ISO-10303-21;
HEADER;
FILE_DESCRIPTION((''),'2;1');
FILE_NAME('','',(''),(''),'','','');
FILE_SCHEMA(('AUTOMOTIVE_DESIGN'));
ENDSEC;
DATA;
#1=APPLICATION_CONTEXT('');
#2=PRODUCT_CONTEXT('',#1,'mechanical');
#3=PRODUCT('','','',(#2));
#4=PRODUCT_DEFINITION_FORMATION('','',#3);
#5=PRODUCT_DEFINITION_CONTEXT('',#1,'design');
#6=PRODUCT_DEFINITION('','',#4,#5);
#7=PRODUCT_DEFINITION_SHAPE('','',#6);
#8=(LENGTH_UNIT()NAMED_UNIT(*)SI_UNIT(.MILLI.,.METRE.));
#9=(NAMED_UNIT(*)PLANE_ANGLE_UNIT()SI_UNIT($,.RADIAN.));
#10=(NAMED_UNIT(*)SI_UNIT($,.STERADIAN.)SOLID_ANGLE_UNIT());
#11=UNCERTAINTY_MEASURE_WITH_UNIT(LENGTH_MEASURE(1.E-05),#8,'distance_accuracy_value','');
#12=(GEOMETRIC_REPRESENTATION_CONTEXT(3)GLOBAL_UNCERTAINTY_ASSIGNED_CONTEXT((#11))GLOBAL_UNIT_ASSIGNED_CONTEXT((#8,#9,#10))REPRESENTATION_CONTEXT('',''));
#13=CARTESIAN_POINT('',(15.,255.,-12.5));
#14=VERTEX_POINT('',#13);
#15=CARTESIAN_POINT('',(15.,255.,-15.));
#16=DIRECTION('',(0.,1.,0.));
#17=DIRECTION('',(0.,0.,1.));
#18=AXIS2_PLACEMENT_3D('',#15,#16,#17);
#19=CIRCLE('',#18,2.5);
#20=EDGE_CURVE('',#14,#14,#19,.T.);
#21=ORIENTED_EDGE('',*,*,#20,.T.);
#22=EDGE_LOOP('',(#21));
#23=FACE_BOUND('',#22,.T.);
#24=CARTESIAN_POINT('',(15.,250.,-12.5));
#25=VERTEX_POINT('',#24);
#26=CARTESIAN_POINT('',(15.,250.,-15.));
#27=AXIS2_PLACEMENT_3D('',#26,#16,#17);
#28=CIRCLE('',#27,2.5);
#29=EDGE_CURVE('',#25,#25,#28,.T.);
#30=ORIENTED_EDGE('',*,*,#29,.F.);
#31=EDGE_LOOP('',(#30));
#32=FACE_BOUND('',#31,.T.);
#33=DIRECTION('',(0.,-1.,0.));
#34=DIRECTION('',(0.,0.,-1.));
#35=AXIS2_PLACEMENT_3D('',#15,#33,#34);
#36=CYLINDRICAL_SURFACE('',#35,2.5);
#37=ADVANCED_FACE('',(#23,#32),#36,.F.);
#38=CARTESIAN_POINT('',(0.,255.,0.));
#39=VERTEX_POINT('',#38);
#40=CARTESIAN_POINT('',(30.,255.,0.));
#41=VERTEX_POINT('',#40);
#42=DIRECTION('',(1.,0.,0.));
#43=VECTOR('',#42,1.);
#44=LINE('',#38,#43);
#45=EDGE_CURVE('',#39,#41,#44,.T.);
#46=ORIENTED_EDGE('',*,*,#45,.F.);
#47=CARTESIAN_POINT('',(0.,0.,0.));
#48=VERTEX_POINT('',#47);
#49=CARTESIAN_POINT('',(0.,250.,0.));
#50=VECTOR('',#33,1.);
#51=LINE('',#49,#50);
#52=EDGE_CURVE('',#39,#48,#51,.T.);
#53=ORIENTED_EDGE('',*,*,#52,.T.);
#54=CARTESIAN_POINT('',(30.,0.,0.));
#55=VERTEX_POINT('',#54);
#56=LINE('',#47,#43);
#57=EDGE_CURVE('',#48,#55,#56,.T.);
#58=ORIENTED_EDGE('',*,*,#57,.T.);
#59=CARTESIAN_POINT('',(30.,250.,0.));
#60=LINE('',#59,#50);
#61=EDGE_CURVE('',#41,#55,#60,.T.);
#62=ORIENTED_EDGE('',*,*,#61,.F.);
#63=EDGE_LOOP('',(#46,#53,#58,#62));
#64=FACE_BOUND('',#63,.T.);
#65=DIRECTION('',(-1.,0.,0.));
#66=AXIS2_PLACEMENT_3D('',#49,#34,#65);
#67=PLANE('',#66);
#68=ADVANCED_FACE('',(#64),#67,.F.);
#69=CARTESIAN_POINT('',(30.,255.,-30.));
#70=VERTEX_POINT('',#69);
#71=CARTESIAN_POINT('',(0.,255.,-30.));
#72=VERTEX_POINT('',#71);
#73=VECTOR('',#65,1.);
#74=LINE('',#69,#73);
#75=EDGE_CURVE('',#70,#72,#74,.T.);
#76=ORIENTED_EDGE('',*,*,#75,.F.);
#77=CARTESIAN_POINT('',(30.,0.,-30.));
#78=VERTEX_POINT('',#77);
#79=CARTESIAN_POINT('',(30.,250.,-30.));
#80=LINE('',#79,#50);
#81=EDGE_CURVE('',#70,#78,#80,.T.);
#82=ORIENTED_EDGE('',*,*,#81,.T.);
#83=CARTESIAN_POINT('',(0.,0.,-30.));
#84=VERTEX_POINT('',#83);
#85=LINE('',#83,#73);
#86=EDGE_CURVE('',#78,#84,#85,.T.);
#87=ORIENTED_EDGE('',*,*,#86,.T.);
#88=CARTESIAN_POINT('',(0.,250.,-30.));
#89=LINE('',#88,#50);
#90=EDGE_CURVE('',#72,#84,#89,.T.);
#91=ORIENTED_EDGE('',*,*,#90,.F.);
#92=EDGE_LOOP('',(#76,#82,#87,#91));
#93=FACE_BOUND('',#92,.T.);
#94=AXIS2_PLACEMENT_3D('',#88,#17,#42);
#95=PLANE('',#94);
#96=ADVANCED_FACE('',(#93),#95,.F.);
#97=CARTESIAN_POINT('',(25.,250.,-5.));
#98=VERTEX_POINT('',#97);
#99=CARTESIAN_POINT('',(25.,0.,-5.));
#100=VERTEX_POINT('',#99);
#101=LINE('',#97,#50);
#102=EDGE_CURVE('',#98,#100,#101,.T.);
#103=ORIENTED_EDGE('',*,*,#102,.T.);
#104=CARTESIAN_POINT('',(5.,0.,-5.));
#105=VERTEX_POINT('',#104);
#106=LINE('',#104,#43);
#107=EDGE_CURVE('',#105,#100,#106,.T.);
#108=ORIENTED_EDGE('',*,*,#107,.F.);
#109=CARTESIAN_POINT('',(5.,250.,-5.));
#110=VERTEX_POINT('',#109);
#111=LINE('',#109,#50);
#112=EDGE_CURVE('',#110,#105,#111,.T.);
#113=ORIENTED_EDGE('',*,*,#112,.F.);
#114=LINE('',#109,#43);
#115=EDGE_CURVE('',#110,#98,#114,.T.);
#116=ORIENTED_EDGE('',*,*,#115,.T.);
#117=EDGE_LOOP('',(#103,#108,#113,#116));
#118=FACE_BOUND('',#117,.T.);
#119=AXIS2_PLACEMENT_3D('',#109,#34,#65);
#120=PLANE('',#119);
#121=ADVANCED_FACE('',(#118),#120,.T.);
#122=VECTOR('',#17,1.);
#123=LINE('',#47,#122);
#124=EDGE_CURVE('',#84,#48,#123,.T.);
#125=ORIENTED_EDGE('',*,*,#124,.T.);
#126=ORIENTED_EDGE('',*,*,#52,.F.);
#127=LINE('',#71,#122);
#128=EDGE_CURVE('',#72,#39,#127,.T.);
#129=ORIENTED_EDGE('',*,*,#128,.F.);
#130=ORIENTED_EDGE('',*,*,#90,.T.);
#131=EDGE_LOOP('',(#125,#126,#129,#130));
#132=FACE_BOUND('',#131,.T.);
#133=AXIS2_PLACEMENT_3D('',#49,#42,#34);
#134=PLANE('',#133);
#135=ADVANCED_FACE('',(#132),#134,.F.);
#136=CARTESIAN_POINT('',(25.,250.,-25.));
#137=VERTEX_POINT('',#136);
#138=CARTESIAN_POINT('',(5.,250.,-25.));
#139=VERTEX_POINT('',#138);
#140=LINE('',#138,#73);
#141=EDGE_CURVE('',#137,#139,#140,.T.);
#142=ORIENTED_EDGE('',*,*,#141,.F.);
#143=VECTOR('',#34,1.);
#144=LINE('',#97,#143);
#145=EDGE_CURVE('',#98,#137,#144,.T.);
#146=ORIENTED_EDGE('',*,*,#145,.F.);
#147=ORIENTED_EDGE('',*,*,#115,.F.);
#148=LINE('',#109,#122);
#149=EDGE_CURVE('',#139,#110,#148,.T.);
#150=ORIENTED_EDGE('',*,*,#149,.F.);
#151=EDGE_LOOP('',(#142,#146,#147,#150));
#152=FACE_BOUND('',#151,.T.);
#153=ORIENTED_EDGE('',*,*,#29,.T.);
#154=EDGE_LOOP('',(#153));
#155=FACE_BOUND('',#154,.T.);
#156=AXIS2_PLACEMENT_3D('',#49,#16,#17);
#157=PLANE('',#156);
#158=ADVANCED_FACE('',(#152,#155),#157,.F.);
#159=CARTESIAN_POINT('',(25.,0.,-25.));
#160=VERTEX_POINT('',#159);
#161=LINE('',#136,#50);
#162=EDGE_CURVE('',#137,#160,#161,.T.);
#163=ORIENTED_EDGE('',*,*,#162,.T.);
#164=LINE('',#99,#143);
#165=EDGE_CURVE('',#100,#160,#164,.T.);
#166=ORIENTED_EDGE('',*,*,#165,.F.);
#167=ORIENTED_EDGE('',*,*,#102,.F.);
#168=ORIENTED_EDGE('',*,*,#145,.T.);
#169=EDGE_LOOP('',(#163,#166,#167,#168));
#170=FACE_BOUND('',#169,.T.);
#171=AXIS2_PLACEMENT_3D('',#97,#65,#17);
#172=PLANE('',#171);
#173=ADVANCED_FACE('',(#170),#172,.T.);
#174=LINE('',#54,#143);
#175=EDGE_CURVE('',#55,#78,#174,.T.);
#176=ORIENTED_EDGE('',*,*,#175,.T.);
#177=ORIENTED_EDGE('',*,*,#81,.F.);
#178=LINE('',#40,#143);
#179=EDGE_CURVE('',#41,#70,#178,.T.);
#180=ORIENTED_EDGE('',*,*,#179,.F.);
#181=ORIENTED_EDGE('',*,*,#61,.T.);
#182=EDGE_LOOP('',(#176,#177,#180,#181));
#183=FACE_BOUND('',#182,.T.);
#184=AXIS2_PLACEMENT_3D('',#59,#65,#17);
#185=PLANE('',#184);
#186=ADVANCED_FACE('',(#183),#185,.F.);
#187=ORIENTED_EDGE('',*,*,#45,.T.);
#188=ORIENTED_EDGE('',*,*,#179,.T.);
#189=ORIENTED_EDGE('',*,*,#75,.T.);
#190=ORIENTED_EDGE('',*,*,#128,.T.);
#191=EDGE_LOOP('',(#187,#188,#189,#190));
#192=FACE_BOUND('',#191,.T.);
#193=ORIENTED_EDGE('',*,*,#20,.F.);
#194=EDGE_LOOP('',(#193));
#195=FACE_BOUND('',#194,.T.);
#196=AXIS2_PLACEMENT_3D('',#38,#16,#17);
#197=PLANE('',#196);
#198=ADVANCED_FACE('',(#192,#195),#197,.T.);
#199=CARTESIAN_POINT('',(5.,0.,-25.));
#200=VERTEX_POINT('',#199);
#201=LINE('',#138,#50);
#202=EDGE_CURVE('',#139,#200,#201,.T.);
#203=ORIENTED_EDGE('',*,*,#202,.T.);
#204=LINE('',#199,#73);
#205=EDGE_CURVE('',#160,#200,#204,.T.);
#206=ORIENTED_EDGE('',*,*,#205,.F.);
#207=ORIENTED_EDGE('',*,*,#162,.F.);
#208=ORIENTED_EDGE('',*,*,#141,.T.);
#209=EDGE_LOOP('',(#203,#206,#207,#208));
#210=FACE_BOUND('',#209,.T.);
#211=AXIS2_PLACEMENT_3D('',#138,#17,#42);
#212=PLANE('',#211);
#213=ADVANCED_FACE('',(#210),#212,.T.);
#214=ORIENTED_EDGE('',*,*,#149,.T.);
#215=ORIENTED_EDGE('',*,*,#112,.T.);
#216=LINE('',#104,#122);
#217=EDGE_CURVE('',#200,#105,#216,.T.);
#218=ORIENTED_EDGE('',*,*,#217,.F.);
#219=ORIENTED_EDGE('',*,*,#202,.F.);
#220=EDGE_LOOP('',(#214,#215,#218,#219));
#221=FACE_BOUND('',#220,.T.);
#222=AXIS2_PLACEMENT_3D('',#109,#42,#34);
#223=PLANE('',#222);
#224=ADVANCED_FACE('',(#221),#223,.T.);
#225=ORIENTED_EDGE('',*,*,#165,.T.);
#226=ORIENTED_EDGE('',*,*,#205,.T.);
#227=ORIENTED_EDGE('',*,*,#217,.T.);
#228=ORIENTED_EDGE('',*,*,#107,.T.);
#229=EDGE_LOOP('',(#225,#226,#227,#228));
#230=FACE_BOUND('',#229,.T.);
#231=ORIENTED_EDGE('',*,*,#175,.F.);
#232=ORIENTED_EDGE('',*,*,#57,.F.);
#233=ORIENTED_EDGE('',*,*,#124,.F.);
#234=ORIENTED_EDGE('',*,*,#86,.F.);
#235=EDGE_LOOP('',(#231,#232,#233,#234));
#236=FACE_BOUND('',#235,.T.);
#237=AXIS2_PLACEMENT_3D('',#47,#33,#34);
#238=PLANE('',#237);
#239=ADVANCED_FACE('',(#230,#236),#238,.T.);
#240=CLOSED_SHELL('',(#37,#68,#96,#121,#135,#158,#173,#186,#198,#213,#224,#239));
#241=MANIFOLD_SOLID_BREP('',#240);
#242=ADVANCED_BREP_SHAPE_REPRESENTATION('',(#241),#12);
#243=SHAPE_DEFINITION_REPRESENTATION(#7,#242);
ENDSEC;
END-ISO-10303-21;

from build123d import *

# Parameters (mm, degrees)
SKETCH1_W           = 30
SKETCH1_H           = 30
SKETCH1_W_2         = 20
SKETCH1_H_2         = 20
BOSS_EXTRUDE1_DEPTH = 250
SKETCH2_W           = 30
SKETCH2_H           = 30
SKETCH2_R           = 2.5
BOSS_EXTRUDE2_DEPTH = 5


with BuildPart() as part:
    # Sketch1 → Boss-Extrude1 (new body)
    with BuildSketch(Plane(origin=(0, 0, 0), x_dir=(1, 0, 0), z_dir=(0, 1, 0))):
        with Locations((15, 15)):
            Rectangle(SKETCH1_W, SKETCH1_H)
        with Locations((15, 15)):
            Rectangle(SKETCH1_W_2, SKETCH1_H_2, mode=Mode.SUBTRACT)
    extrude(amount=BOSS_EXTRUDE1_DEPTH)

    # Sketch2 → Boss-Extrude2 (add)
    with BuildSketch(Plane(origin=(0, 250, 0), x_dir=(1, 0, 0), z_dir=(0, 1, 0))):
        with Locations((15, 15)):
            Rectangle(SKETCH2_W, SKETCH2_H)
        with Locations((15, 15)):
            Circle(SKETCH2_R, mode=Mode.SUBTRACT)
    extrude(amount=BOSS_EXTRUDE2_DEPTH)


solid = part.part
